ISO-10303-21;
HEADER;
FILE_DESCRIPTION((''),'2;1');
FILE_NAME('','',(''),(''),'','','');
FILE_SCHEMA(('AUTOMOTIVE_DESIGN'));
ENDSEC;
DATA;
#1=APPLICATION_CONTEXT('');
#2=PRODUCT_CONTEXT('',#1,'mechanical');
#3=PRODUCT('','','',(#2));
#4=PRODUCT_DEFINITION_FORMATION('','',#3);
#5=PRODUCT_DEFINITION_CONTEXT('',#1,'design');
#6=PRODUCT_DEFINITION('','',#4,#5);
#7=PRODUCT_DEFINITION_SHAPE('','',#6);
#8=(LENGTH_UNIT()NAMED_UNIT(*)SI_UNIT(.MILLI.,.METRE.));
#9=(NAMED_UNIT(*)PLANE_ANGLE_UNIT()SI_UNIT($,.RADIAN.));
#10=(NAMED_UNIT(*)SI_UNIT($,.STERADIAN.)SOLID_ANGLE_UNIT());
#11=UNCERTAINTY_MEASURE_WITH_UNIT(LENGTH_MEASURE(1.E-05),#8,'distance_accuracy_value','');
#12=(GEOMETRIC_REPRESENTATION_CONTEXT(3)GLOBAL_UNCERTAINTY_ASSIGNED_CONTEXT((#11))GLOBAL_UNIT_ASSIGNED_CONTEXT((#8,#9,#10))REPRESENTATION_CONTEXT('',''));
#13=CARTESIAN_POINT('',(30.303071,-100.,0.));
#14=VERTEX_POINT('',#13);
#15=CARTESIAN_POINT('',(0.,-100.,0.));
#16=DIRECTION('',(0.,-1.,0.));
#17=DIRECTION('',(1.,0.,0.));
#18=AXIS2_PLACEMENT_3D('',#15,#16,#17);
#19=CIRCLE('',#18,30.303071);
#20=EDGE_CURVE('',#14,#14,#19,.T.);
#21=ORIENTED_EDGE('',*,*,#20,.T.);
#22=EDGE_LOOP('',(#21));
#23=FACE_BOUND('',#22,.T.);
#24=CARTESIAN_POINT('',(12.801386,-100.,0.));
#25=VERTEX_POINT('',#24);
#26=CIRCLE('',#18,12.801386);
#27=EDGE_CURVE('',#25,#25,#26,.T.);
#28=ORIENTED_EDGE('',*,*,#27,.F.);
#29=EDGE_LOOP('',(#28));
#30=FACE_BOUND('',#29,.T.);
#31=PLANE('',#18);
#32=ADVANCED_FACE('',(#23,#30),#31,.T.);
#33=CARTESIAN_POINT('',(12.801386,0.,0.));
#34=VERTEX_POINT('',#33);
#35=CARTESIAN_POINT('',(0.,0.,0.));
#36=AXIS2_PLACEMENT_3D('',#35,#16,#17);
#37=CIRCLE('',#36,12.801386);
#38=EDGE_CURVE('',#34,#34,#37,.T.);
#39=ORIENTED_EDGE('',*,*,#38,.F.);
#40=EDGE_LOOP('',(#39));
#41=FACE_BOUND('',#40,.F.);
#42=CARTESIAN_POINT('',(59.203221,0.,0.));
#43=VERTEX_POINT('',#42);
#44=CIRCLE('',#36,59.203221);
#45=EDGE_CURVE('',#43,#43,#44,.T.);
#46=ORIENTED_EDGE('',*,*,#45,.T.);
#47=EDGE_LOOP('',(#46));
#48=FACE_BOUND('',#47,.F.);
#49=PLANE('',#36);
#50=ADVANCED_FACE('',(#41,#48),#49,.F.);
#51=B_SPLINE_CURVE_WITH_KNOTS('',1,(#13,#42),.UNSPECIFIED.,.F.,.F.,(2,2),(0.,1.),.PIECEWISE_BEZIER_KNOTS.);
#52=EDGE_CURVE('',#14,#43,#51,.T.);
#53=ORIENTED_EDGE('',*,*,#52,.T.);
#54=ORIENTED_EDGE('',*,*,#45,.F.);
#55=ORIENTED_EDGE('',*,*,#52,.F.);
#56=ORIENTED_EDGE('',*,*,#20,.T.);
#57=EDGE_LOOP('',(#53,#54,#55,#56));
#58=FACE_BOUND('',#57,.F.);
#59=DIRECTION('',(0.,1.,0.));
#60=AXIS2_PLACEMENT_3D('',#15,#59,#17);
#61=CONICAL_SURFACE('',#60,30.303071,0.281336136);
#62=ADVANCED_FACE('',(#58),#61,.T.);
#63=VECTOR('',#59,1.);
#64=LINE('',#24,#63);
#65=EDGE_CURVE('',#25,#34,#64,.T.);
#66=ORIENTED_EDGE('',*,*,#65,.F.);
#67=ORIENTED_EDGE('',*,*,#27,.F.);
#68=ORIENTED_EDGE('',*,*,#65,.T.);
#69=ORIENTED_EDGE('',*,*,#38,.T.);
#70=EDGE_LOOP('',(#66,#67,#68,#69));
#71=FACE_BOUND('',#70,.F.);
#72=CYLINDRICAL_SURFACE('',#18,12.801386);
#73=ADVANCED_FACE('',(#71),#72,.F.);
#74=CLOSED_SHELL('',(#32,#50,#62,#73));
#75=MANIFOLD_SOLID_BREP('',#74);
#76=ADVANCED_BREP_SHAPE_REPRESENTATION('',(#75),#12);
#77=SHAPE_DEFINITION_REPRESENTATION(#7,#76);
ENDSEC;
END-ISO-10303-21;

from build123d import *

# Parameters (mm, degrees)
F2_R     = 30.303071
F0_R     = 59.203221
F4_R     = 12.801386
F5_DEPTH = 100.001


with BuildPart() as f3:
    # F2 (on offset) → F3 section 0
    with BuildSketch(Plane.XZ.offset(100)):
        Circle(F2_R)
    # F0 (on Front) → F3 section 1
    with BuildSketch(Plane.XZ):
        Circle(F0_R)
    loft()

    # F4 (on face) → F5 (cut, through all)
    with BuildSketch(Plane.XZ.offset(100)):
        Circle(F4_R)
    extrude(amount=-F5_DEPTH, mode=Mode.SUBTRACT)


solid = f3.part
